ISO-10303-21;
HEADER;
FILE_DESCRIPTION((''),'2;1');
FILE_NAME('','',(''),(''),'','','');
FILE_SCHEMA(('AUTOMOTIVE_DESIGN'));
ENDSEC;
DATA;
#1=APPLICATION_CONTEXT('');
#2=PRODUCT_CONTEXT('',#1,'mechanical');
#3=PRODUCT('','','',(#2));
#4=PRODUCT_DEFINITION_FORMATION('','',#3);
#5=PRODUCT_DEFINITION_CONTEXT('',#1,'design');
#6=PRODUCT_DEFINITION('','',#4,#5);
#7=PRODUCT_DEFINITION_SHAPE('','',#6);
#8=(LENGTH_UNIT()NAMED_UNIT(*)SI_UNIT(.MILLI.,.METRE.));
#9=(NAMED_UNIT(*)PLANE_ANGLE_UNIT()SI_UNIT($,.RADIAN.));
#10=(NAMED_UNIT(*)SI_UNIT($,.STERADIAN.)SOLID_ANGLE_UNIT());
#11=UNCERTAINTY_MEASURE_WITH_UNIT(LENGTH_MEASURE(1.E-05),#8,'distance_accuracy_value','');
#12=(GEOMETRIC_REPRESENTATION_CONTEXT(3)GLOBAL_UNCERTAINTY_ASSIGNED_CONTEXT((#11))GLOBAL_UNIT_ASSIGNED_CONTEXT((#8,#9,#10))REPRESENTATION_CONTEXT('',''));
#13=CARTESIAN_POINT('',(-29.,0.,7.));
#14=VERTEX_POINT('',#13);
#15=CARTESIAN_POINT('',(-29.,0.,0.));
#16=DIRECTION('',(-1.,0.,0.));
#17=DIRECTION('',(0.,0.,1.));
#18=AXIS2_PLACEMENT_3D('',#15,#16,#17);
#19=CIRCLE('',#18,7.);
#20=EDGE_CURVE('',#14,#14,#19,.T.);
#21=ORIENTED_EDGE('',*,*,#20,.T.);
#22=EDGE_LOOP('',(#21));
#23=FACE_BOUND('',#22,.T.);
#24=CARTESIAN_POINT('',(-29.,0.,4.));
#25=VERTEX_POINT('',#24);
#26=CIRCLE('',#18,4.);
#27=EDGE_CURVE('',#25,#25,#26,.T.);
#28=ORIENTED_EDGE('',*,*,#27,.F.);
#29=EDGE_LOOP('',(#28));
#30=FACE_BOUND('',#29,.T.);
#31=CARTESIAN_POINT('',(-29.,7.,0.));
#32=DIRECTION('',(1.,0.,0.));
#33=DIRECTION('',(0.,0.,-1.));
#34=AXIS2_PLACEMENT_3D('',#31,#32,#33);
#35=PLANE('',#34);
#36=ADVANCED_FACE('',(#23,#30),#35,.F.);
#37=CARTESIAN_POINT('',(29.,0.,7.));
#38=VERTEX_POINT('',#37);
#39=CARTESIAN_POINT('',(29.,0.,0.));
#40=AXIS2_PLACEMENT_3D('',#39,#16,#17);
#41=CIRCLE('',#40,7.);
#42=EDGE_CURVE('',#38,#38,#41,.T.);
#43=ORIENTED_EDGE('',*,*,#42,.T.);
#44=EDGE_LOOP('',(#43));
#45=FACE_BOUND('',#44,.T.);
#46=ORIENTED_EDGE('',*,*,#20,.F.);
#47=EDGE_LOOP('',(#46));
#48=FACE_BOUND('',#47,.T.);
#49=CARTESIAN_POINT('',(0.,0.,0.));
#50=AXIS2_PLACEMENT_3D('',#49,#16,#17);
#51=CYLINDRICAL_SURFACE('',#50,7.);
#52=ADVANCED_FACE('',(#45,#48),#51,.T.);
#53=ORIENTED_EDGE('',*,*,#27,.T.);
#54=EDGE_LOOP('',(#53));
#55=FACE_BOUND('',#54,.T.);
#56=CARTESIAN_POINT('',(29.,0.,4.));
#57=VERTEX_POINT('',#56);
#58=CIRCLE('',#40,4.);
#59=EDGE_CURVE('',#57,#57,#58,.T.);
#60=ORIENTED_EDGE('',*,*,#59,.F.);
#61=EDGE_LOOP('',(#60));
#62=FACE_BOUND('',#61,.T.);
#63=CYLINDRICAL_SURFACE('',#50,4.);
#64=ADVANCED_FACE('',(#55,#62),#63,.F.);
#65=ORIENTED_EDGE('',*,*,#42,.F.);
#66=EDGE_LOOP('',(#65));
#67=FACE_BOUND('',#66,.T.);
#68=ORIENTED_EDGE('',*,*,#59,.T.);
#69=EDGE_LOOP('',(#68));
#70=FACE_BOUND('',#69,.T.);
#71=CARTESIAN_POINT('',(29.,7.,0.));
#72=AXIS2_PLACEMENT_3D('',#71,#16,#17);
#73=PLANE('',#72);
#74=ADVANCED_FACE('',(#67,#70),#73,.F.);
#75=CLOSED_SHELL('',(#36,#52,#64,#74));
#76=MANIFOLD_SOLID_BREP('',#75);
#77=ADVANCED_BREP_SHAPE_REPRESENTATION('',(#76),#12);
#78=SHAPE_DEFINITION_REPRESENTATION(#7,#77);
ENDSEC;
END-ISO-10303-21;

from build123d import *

# Parameters (mm, degrees)
SKETCH_1_W = 58
SKETCH_1_H = 3


with BuildPart() as part:
    # ｽｹｯﾁ1 → 回転1 (revolve)
    with BuildSketch(Plane.XY, mode=Mode.PRIVATE) as revolve_1_sk:
        with Locations((0, 5.5)):
            Rectangle(SKETCH_1_W, SKETCH_1_H)
    revolve(revolve_1_sk.sketch.rotate(Axis((0, 0, 0), (1, 0, 0)), 90), axis=Axis((0, 0, 0), (1, 0, 0)))


solid = part.part
